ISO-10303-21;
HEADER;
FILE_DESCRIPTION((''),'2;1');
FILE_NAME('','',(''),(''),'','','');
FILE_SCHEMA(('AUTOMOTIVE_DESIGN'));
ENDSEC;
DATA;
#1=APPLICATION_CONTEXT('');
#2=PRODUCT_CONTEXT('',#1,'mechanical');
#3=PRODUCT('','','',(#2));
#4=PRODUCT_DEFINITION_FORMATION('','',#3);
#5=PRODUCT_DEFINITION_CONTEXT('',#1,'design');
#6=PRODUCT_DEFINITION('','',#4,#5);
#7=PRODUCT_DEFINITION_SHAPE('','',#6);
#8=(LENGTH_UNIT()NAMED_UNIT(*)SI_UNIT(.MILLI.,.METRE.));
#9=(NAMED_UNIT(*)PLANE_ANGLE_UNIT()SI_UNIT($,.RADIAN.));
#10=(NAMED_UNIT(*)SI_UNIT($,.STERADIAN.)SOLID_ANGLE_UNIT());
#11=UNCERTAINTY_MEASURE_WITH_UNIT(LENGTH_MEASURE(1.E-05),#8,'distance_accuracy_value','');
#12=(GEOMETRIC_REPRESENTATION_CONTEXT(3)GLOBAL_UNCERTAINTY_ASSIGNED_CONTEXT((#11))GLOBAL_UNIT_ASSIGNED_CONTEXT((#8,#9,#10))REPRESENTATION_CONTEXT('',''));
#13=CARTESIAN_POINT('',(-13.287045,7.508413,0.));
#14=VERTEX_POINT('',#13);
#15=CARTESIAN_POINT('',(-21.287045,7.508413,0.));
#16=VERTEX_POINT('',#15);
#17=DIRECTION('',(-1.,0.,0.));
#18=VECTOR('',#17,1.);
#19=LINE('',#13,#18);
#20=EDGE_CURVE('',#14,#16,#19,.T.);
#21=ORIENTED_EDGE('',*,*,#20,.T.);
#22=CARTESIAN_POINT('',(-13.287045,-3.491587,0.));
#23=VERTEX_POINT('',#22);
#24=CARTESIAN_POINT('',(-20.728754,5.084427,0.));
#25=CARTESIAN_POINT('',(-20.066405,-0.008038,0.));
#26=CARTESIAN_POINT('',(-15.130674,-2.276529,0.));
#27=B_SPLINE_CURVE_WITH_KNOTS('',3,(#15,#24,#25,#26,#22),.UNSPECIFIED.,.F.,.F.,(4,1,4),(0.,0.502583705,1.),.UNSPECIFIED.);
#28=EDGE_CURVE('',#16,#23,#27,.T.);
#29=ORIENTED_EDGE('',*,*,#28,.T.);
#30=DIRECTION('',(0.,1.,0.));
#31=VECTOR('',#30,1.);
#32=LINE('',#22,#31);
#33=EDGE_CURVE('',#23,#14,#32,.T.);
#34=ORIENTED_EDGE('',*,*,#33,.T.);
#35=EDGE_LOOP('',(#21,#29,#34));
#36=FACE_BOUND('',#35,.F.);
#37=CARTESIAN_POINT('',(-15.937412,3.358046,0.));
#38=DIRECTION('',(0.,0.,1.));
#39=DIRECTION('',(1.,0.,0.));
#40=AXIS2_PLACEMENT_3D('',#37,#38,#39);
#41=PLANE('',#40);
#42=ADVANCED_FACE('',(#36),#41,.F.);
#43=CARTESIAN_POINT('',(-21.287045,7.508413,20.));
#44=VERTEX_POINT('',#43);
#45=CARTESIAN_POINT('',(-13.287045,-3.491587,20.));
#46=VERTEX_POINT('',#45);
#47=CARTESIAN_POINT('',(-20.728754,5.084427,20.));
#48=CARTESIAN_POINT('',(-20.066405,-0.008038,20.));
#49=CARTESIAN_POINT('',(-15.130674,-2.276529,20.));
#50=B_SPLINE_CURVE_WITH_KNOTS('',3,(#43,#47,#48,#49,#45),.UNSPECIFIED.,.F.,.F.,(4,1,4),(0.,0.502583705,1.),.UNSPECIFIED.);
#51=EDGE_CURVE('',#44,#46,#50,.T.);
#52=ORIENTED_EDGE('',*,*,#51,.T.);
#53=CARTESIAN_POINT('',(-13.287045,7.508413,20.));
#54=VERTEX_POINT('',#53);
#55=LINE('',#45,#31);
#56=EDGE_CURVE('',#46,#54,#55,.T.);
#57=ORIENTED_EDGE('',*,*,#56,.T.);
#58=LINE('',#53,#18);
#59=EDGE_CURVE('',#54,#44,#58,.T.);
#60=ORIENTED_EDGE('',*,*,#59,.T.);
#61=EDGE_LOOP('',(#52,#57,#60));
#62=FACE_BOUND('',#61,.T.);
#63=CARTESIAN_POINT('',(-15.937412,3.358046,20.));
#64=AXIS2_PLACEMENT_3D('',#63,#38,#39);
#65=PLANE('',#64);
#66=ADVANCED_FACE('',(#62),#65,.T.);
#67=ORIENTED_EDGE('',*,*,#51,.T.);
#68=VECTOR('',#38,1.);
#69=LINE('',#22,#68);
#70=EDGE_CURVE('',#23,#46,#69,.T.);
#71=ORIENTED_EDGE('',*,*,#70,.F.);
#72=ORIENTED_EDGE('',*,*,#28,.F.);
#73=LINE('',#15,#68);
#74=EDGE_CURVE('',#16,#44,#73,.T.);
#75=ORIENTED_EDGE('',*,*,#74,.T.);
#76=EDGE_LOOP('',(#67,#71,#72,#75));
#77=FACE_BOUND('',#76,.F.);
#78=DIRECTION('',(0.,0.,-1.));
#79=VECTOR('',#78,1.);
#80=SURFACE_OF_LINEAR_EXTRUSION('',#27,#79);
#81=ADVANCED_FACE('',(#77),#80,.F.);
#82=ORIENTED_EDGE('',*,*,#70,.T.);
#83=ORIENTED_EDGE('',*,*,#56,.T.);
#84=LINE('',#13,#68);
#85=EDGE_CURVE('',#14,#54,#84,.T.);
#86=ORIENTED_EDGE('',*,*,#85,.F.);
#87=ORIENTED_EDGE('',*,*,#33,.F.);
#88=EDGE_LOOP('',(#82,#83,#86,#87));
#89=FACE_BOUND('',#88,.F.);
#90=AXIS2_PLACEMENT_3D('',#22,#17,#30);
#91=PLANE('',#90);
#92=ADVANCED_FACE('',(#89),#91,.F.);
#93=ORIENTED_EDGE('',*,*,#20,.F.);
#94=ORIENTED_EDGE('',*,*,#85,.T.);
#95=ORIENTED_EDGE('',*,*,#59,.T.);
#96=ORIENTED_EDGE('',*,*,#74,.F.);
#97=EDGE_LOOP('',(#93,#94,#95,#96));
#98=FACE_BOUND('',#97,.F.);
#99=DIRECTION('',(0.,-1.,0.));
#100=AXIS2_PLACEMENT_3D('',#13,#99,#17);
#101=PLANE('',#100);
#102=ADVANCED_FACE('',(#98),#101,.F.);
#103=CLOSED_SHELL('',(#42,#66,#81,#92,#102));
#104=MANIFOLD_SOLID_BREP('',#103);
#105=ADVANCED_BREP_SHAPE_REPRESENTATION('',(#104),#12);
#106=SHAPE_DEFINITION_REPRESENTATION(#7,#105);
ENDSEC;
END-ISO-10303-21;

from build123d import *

# Parameters (mm, degrees)
F1_DEPTH = 20
F2_DEPTH = 20


with BuildPart() as f1:
    # F0 (on Top) → F1 (new body)
    with BuildSketch(Plane.XY):
        Polygon((-13.2870445102, 7.5084134005), (-21.2870445102, 7.5084134005), (-13.2870445102, -3.4915865995), align=None)
        with BuildLine():
            Line((-13.2870445102, -3.4915865995), (-21.2870445102, 7.5084134005))
            add(Edge.make_bspline(
                [(-21.2870445102, 7.5084134005), (-20.7287535092, 5.084426817), (-20.0664051279, -0.0080383017), (-15.13067403, -2.2765289137), (-13.2870445102, -3.4915865995)],
                knots=[0, 0, 0, 0, 0.5025837054, 1, 1, 1, 1], degree=3))
        make_face()
    extrude(amount=F1_DEPTH)

    # F0 (on Top) → F2 (join)
    with BuildSketch(Plane.XY):
        Polygon((-13.2870445102, 7.5084134005), (-21.2870445102, 7.5084134005), (-13.2870445102, -3.4915865995), align=None)
        with BuildLine():
            Line((-13.2870445102, -3.4915865995), (-21.2870445102, 7.5084134005))
            add(Edge.make_bspline(
                [(-21.2870445102, 7.5084134005), (-20.7287535092, 5.084426817), (-20.0664051279, -0.0080383017), (-15.13067403, -2.2765289137), (-13.2870445102, -3.4915865995)],
                knots=[0, 0, 0, 0, 0.5025837054, 1, 1, 1, 1], degree=3))
        make_face()
    extrude(amount=F2_DEPTH)


solid = f1.part
